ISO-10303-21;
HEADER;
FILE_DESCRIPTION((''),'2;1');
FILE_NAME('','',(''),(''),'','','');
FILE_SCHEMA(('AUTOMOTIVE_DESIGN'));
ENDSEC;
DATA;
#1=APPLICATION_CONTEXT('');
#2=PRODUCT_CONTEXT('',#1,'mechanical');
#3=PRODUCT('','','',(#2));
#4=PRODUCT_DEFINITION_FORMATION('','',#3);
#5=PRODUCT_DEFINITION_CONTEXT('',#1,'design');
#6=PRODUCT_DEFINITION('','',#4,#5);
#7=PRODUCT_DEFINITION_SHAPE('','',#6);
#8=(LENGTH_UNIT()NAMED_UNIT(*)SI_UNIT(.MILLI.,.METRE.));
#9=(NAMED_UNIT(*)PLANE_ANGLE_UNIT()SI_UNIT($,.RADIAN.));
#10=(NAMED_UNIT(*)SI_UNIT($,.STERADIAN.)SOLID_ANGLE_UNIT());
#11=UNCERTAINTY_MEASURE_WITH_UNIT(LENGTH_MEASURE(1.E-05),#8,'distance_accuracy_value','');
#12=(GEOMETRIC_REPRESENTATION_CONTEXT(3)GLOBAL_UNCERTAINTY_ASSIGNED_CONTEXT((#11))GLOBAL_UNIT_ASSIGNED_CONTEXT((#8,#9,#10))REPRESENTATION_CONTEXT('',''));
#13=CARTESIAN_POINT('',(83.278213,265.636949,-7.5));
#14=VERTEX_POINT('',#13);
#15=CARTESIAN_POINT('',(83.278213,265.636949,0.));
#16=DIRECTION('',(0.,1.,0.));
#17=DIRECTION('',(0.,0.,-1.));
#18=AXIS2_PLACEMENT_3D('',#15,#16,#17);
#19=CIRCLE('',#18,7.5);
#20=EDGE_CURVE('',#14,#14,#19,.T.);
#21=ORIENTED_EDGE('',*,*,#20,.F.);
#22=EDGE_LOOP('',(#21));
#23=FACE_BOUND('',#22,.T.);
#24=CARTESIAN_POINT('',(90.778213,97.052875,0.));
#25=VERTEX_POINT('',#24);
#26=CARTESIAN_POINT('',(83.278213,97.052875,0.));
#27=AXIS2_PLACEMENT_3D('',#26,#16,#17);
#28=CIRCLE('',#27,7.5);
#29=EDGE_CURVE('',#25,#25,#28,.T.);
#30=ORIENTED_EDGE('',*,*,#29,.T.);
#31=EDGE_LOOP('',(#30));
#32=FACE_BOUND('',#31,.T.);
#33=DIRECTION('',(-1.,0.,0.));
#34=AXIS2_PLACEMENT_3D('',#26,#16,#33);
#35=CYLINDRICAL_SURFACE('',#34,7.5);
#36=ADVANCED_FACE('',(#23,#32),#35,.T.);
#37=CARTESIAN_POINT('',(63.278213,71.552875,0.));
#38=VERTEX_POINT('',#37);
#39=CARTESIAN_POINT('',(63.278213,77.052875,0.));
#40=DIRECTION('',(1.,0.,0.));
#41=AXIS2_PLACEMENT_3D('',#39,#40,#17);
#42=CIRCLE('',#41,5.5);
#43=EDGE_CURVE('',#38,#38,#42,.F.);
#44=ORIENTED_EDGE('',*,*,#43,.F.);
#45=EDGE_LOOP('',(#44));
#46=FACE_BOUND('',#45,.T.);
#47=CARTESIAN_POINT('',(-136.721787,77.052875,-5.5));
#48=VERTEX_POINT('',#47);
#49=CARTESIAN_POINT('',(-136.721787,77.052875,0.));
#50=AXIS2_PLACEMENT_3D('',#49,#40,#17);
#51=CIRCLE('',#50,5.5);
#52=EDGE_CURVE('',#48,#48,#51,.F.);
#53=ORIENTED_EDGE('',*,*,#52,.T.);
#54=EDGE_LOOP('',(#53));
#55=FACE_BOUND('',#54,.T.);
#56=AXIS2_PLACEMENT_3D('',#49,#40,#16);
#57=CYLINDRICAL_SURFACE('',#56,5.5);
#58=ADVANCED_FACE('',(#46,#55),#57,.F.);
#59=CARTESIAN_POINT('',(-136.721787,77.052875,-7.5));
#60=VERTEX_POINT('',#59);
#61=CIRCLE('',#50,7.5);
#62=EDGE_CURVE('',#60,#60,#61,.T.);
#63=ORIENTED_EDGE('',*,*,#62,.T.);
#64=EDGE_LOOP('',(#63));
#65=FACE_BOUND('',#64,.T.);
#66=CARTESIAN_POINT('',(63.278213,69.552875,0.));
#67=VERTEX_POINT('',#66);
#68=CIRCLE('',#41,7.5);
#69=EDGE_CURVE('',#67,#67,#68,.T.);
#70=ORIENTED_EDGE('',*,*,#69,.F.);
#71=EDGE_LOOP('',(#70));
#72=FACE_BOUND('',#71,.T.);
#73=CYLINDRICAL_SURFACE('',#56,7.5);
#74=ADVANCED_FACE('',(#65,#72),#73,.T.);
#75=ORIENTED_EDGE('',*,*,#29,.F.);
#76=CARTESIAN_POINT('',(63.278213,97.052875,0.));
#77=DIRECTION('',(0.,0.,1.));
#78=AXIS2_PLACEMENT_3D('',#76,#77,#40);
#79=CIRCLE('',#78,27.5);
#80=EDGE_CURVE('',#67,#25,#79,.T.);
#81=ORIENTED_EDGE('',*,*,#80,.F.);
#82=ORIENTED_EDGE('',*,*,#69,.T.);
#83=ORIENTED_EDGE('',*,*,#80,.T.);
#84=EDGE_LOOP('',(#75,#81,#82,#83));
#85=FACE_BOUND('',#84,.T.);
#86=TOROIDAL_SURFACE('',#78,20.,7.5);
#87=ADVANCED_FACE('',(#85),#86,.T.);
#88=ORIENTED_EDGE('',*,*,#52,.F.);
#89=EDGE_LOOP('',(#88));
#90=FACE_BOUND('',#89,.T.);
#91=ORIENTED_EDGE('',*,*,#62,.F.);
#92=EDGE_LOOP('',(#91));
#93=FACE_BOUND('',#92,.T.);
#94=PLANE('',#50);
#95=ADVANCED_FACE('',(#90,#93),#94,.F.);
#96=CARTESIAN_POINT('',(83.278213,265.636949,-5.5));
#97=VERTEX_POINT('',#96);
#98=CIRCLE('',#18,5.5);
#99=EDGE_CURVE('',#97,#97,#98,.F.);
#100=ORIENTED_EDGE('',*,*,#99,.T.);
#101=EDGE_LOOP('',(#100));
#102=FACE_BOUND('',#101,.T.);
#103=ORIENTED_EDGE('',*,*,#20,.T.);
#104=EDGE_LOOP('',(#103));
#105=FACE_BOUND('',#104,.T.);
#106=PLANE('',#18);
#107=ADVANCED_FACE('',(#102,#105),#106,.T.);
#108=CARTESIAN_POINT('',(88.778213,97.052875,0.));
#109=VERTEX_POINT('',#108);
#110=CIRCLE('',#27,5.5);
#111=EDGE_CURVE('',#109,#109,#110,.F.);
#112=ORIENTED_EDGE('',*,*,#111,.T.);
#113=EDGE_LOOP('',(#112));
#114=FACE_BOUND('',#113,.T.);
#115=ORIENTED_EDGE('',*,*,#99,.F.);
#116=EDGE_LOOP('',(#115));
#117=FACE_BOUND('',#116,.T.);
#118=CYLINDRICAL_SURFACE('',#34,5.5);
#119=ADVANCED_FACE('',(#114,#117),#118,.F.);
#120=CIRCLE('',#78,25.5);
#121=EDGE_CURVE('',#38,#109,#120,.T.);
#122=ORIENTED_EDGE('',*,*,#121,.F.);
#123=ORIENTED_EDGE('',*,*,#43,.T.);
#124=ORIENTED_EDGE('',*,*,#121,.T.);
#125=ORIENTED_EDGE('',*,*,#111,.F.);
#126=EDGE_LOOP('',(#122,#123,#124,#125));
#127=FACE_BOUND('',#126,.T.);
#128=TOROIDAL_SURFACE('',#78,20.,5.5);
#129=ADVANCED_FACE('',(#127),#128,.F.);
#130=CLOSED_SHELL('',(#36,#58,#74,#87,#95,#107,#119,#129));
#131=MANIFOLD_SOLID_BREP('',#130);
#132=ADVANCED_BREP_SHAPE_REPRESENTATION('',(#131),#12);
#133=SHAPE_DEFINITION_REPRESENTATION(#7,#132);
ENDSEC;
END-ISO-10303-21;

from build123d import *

# Parameters (mm, degrees)
SKETCH6_R   = 7.5
SKETCH6_R_2 = 5.5


with BuildPart() as part:
    # Sweep1: sweep along a path in Sketch5
    with BuildLine(Plane.XY) as sweep1_path:
        Line((-136.721786748, 77.052875388), (63.278213252, 77.052875388))
        ThreePointArc((63.278213252, 77.052875388), (77.420348876, 82.910739764), (83.278213252, 97.052875388))
        Line((83.278213252, 97.052875388), (83.278213252, 265.636948852))
    # Sketch6 → Sweep1 (sweep)
    with BuildSketch(Plane(origin=(-136.721786748, 0, 0), x_dir=(0, 0, -1), z_dir=(1, 0, 0))):
        with Locations((0, 77.052875388)):
            Circle(SKETCH6_R)
        with Locations((0, 77.052875388)):
            Circle(SKETCH6_R_2, mode=Mode.SUBTRACT)
    sweep(path=sweep1_path.line)


solid = part.part
